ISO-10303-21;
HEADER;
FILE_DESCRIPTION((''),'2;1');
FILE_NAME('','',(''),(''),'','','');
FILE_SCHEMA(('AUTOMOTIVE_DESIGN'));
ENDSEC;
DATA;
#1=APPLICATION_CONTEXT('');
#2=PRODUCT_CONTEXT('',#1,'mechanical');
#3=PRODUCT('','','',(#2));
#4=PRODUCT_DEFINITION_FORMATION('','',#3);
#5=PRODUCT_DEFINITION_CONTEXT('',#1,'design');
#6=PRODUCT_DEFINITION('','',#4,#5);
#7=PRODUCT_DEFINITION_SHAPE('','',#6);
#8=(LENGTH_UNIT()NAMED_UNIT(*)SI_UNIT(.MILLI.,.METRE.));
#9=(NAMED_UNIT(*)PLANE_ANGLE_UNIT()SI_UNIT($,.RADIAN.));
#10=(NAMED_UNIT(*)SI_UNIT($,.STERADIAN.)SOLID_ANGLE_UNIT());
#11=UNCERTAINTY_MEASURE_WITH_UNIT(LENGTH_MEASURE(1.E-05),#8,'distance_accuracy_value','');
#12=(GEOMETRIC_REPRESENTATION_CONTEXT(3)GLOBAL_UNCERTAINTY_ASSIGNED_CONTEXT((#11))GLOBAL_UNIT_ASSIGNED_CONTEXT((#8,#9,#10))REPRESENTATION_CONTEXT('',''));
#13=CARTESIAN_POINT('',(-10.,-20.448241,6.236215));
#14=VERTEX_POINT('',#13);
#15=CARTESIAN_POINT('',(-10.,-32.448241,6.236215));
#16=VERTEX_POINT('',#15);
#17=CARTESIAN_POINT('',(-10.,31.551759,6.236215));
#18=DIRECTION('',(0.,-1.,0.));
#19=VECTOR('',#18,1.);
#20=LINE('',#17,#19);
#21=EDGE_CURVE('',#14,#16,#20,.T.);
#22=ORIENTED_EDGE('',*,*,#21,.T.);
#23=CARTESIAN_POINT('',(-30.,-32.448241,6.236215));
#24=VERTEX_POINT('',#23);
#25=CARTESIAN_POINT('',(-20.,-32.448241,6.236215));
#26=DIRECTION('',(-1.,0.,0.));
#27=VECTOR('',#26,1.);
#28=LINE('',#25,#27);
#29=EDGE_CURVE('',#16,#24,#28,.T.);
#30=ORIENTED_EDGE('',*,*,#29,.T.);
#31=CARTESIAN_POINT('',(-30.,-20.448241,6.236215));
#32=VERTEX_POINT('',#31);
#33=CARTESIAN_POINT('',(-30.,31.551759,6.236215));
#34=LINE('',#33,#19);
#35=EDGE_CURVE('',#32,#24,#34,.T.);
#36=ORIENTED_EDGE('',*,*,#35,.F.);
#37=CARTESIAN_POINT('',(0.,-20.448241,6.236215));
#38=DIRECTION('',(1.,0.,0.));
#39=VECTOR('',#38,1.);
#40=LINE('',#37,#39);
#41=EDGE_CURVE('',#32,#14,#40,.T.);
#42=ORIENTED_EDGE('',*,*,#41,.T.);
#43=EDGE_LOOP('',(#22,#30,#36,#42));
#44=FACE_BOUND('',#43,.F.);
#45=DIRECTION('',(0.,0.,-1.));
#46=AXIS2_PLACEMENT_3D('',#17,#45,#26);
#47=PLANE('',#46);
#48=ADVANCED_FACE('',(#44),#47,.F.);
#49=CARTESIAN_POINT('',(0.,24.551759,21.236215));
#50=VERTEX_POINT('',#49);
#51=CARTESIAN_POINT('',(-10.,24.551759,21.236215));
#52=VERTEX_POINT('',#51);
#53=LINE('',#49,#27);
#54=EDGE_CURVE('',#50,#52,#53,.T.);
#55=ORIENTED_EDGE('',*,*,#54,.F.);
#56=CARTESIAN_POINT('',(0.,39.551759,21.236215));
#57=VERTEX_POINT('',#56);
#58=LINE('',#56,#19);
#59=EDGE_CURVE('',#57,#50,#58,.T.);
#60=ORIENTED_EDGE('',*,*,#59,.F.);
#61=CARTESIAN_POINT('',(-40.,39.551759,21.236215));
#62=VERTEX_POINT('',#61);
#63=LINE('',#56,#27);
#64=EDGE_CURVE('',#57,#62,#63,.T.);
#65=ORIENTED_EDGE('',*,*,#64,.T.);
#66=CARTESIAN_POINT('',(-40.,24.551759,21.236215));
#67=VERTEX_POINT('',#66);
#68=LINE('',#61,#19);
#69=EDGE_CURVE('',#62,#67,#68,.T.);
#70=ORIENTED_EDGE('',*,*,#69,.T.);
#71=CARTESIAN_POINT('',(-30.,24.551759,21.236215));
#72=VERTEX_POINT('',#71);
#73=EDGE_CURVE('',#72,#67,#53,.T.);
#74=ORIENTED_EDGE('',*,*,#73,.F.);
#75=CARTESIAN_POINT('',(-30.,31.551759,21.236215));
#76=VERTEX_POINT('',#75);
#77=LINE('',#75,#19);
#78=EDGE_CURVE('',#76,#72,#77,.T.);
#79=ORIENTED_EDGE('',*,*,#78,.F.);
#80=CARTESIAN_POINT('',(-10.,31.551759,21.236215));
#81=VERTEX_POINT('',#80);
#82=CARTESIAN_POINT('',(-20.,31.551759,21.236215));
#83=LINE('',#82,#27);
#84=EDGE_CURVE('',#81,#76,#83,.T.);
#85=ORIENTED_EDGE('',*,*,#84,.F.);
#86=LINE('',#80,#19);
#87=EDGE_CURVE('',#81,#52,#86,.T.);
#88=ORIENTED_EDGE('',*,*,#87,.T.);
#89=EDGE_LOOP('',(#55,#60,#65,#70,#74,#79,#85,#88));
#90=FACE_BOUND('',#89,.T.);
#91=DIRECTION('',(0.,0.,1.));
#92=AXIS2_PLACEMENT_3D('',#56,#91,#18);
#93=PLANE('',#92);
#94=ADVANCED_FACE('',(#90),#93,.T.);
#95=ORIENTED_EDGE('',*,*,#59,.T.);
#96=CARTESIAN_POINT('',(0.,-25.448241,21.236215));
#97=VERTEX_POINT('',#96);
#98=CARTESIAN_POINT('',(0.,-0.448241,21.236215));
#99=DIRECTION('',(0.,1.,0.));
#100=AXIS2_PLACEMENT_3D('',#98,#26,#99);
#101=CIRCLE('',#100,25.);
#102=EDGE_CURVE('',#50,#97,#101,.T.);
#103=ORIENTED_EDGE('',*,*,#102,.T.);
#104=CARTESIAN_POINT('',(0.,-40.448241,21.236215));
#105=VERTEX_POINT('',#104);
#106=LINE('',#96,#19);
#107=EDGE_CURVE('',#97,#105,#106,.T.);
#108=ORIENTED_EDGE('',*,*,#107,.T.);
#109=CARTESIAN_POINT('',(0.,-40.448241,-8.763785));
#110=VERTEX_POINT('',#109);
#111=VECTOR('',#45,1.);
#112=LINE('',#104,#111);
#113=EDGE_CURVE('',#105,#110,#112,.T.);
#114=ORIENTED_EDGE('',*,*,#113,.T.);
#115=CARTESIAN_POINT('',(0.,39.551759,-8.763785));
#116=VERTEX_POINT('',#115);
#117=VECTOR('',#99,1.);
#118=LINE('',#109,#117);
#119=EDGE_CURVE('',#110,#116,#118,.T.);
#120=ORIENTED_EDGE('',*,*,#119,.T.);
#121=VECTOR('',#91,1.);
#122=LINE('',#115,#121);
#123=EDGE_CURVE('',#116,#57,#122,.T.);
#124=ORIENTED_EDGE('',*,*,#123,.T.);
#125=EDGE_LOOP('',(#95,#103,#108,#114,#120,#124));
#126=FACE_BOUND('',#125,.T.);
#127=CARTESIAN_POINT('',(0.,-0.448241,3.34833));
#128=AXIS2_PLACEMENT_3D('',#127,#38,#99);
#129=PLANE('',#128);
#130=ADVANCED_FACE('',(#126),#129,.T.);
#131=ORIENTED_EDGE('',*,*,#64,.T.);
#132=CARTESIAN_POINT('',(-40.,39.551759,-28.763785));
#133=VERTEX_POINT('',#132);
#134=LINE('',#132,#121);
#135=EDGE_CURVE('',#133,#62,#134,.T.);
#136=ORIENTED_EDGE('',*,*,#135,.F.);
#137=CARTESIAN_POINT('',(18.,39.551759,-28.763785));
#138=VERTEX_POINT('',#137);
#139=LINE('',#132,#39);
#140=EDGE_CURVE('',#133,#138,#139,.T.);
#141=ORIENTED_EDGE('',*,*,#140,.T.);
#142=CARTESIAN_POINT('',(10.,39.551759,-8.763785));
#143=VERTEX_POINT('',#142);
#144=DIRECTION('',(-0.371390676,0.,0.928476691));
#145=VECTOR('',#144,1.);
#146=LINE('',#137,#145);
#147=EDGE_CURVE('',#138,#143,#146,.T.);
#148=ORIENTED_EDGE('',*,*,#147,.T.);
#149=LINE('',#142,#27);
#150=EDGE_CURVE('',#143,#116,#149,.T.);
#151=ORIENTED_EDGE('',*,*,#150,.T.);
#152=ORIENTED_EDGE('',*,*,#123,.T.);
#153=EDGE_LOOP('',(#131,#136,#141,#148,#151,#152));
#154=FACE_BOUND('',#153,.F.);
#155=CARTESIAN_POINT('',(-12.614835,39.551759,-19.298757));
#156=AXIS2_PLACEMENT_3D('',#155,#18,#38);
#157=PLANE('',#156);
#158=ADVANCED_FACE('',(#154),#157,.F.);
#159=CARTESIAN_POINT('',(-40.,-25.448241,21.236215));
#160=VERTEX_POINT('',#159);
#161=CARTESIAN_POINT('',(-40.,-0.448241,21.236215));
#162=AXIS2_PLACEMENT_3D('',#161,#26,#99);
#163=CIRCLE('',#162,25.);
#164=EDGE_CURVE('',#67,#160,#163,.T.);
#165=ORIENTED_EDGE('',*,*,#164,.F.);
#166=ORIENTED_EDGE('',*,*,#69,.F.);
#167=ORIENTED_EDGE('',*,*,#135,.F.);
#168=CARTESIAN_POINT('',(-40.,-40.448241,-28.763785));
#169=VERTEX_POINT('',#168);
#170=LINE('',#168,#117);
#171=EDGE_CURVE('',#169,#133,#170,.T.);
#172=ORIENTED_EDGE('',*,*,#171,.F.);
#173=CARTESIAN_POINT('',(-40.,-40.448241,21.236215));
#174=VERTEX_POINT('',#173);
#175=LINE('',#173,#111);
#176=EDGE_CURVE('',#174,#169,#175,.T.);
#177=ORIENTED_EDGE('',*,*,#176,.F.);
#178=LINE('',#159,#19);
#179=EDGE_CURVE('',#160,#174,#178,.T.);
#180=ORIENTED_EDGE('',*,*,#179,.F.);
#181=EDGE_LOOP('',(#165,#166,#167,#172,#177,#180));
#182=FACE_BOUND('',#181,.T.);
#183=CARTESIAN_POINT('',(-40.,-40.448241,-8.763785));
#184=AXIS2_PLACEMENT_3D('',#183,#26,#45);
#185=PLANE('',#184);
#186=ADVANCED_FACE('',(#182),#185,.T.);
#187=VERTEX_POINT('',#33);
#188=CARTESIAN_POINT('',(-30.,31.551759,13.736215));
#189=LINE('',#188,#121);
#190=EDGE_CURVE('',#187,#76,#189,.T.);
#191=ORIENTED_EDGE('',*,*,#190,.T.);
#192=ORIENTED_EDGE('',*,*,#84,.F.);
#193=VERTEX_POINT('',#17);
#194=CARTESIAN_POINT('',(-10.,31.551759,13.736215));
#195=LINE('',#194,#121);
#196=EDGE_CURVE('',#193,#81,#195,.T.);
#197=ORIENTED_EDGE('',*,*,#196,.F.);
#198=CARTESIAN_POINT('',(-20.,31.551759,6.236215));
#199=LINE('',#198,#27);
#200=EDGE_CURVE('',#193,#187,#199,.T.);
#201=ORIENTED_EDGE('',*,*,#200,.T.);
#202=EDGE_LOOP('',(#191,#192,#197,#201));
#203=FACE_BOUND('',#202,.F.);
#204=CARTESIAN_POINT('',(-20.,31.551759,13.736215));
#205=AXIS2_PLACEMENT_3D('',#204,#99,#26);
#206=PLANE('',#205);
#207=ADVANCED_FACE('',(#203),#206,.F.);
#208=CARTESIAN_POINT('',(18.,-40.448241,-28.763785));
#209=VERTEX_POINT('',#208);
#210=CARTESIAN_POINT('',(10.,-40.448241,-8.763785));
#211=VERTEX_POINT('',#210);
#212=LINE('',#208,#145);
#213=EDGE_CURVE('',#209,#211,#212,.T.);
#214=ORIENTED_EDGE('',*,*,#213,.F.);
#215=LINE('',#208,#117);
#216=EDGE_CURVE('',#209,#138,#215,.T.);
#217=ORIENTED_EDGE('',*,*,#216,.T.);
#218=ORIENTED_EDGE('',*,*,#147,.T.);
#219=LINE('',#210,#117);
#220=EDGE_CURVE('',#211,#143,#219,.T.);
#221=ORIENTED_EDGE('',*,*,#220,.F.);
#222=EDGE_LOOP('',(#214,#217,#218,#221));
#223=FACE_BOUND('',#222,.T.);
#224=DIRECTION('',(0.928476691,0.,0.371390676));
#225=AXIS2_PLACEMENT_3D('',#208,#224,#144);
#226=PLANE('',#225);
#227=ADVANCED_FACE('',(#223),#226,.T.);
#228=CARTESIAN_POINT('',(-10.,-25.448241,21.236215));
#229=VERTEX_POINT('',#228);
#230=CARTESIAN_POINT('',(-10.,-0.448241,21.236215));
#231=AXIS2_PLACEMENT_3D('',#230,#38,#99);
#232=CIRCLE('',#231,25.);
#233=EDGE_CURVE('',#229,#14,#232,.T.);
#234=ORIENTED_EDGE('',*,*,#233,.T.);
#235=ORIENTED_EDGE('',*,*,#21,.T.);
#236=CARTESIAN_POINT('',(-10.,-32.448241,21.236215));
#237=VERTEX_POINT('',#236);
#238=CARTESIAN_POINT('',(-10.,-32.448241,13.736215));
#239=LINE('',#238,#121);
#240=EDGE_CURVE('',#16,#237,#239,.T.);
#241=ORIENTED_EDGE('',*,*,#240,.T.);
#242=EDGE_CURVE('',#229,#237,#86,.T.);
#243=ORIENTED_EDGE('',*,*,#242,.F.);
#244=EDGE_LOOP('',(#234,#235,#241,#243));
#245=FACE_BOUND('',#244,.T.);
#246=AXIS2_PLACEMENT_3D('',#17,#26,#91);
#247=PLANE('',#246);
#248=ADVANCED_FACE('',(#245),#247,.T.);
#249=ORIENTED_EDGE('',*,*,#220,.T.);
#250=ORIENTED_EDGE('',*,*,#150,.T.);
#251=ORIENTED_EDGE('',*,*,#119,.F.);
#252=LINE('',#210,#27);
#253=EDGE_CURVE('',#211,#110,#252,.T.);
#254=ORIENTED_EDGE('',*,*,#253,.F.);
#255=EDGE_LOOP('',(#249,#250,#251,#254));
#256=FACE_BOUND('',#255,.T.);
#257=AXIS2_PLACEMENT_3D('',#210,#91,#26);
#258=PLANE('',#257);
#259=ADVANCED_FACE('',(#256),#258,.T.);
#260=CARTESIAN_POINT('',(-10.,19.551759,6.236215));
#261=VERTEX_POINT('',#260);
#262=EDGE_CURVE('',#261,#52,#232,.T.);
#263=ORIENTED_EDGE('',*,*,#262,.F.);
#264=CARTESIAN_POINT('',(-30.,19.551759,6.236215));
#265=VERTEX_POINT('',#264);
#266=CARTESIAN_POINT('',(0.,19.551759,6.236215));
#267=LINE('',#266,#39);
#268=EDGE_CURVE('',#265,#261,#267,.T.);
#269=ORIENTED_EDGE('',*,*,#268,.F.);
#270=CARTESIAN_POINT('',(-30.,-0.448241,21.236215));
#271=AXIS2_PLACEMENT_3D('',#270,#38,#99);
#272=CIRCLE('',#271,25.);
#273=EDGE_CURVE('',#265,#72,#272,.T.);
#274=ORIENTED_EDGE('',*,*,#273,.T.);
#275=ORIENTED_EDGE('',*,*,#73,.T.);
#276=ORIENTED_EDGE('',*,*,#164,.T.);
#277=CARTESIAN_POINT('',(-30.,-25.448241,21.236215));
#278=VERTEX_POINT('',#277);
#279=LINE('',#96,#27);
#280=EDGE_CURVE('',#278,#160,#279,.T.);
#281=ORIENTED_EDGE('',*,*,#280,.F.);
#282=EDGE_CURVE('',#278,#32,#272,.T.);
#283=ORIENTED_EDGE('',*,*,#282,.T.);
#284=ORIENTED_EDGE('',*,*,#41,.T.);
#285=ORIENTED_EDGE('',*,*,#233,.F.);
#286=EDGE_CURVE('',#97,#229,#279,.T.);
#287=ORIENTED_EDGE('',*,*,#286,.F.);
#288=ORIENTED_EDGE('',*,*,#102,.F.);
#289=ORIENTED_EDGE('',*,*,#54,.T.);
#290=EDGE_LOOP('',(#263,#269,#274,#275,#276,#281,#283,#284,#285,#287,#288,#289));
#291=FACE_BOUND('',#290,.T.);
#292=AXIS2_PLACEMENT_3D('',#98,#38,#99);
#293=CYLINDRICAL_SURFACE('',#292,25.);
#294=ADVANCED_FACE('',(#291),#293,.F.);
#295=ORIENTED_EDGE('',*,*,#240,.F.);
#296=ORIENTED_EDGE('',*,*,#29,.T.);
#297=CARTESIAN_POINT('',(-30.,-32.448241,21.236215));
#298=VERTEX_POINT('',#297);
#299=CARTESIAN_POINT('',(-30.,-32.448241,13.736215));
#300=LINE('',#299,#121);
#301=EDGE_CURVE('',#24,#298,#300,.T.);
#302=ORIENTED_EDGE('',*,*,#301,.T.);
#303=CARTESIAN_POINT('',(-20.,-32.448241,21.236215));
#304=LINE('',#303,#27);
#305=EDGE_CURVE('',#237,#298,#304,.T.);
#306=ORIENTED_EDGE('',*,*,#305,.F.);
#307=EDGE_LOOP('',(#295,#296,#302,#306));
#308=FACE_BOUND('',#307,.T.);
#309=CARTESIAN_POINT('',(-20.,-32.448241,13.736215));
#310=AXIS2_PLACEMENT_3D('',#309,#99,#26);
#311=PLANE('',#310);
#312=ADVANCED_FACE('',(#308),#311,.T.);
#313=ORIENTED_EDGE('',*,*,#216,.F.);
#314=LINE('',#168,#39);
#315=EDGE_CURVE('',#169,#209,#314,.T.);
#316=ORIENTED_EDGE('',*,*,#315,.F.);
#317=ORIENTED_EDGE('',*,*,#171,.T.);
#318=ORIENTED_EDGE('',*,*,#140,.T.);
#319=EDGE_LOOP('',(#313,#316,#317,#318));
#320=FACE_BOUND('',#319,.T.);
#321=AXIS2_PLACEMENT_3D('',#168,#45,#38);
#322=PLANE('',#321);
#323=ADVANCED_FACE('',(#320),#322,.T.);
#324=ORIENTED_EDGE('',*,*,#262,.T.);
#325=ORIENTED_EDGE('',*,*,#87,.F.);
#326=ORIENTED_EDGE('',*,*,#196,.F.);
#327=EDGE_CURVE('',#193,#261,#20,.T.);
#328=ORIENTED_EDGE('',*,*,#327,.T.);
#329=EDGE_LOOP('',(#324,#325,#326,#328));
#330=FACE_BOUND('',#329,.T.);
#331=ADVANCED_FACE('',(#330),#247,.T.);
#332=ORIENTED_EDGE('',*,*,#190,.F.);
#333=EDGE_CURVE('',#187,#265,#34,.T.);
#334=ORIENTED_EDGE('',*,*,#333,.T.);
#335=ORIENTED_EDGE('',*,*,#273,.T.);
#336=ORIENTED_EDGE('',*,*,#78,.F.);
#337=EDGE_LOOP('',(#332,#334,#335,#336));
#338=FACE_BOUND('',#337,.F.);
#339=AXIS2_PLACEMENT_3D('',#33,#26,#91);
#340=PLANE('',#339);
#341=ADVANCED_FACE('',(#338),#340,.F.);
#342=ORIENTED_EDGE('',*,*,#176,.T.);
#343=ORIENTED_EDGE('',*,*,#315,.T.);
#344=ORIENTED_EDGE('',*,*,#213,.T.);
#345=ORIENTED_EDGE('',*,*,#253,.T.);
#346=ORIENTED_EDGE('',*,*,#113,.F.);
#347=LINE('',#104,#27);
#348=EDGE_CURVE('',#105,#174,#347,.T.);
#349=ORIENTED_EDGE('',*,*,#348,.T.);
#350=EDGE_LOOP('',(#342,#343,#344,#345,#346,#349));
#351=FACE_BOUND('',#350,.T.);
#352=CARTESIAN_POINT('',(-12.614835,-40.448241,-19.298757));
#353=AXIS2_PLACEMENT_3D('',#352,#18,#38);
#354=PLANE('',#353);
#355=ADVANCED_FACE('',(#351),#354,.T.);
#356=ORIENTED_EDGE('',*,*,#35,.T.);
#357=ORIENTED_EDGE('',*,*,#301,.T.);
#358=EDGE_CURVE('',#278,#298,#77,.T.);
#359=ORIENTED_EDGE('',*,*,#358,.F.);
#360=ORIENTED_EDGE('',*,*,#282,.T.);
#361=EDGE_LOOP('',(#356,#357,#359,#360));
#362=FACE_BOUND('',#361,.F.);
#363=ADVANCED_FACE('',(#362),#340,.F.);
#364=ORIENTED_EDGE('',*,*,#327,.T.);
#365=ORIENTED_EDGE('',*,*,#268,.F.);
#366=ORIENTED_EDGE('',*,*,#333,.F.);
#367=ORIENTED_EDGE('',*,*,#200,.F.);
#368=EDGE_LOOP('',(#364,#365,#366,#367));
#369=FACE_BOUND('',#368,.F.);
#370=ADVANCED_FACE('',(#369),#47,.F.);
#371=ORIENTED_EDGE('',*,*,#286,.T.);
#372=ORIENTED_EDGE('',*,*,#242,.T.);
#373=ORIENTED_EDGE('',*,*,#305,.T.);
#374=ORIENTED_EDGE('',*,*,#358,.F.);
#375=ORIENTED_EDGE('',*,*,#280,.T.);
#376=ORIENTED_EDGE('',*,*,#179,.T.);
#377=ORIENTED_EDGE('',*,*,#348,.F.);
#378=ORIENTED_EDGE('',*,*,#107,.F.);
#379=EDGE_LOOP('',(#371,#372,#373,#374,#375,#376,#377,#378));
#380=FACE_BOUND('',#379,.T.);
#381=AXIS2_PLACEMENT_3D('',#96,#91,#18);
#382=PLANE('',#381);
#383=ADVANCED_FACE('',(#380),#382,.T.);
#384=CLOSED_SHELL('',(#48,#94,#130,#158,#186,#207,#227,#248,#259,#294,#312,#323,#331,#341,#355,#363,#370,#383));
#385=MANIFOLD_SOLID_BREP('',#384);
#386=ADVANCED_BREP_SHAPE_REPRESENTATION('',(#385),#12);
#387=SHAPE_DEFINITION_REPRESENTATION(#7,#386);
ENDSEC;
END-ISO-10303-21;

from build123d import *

# Parameters (mm, degrees)
F1_DEPTH = 40
F3_DEPTH = 80
F5_W     = 20
F5_H     = 15
F6_DEPTH = 64


with BuildPart() as f1:
    # F0 (on Right) → F1 (new body)
    with BuildSketch(Plane.YZ):
        with BuildLine():
            Line((-25.4482409358, 21.236214526), (-40.4482409358, 21.236214526))
            Line((-40.4482409358, 21.236214526), (-40.4482409358, -8.763785474))
            Line((-40.4482409358, -8.763785474), (39.5517590642, -8.763785474))
            Line((39.5517590642, -8.763785474), (39.5517590642, 21.236214526))
            Line((39.5517590642, 21.236214526), (24.5517590642, 21.236214526))
            ThreePointArc((24.5517590642, 21.236214526), (-0.4482409358, -3.763785474), (-25.4482409358, 21.236214526))
        make_face()
    extrude(amount=-F1_DEPTH)

    # F2 (on face) → F3 (join, through all)
    with BuildSketch(Plane.XZ.offset(40.4482409358)):
        Polygon((10, -8.763785474), (-40, -8.763785474), (-40, -28.763785474), (18, -28.763785474), align=None)
    extrude(amount=-F3_DEPTH)

    # F5 (on offset) → F6 (cut)
    with BuildSketch(Plane(origin=(0, 31.5517590642, 0), x_dir=(-1, 0, 0), z_dir=(0, 1, 0))):
        with Locations((20, 13.736214526)):
            Rectangle(F5_W, F5_H)
    extrude(amount=-F6_DEPTH, mode=Mode.SUBTRACT)


solid = f1.part
